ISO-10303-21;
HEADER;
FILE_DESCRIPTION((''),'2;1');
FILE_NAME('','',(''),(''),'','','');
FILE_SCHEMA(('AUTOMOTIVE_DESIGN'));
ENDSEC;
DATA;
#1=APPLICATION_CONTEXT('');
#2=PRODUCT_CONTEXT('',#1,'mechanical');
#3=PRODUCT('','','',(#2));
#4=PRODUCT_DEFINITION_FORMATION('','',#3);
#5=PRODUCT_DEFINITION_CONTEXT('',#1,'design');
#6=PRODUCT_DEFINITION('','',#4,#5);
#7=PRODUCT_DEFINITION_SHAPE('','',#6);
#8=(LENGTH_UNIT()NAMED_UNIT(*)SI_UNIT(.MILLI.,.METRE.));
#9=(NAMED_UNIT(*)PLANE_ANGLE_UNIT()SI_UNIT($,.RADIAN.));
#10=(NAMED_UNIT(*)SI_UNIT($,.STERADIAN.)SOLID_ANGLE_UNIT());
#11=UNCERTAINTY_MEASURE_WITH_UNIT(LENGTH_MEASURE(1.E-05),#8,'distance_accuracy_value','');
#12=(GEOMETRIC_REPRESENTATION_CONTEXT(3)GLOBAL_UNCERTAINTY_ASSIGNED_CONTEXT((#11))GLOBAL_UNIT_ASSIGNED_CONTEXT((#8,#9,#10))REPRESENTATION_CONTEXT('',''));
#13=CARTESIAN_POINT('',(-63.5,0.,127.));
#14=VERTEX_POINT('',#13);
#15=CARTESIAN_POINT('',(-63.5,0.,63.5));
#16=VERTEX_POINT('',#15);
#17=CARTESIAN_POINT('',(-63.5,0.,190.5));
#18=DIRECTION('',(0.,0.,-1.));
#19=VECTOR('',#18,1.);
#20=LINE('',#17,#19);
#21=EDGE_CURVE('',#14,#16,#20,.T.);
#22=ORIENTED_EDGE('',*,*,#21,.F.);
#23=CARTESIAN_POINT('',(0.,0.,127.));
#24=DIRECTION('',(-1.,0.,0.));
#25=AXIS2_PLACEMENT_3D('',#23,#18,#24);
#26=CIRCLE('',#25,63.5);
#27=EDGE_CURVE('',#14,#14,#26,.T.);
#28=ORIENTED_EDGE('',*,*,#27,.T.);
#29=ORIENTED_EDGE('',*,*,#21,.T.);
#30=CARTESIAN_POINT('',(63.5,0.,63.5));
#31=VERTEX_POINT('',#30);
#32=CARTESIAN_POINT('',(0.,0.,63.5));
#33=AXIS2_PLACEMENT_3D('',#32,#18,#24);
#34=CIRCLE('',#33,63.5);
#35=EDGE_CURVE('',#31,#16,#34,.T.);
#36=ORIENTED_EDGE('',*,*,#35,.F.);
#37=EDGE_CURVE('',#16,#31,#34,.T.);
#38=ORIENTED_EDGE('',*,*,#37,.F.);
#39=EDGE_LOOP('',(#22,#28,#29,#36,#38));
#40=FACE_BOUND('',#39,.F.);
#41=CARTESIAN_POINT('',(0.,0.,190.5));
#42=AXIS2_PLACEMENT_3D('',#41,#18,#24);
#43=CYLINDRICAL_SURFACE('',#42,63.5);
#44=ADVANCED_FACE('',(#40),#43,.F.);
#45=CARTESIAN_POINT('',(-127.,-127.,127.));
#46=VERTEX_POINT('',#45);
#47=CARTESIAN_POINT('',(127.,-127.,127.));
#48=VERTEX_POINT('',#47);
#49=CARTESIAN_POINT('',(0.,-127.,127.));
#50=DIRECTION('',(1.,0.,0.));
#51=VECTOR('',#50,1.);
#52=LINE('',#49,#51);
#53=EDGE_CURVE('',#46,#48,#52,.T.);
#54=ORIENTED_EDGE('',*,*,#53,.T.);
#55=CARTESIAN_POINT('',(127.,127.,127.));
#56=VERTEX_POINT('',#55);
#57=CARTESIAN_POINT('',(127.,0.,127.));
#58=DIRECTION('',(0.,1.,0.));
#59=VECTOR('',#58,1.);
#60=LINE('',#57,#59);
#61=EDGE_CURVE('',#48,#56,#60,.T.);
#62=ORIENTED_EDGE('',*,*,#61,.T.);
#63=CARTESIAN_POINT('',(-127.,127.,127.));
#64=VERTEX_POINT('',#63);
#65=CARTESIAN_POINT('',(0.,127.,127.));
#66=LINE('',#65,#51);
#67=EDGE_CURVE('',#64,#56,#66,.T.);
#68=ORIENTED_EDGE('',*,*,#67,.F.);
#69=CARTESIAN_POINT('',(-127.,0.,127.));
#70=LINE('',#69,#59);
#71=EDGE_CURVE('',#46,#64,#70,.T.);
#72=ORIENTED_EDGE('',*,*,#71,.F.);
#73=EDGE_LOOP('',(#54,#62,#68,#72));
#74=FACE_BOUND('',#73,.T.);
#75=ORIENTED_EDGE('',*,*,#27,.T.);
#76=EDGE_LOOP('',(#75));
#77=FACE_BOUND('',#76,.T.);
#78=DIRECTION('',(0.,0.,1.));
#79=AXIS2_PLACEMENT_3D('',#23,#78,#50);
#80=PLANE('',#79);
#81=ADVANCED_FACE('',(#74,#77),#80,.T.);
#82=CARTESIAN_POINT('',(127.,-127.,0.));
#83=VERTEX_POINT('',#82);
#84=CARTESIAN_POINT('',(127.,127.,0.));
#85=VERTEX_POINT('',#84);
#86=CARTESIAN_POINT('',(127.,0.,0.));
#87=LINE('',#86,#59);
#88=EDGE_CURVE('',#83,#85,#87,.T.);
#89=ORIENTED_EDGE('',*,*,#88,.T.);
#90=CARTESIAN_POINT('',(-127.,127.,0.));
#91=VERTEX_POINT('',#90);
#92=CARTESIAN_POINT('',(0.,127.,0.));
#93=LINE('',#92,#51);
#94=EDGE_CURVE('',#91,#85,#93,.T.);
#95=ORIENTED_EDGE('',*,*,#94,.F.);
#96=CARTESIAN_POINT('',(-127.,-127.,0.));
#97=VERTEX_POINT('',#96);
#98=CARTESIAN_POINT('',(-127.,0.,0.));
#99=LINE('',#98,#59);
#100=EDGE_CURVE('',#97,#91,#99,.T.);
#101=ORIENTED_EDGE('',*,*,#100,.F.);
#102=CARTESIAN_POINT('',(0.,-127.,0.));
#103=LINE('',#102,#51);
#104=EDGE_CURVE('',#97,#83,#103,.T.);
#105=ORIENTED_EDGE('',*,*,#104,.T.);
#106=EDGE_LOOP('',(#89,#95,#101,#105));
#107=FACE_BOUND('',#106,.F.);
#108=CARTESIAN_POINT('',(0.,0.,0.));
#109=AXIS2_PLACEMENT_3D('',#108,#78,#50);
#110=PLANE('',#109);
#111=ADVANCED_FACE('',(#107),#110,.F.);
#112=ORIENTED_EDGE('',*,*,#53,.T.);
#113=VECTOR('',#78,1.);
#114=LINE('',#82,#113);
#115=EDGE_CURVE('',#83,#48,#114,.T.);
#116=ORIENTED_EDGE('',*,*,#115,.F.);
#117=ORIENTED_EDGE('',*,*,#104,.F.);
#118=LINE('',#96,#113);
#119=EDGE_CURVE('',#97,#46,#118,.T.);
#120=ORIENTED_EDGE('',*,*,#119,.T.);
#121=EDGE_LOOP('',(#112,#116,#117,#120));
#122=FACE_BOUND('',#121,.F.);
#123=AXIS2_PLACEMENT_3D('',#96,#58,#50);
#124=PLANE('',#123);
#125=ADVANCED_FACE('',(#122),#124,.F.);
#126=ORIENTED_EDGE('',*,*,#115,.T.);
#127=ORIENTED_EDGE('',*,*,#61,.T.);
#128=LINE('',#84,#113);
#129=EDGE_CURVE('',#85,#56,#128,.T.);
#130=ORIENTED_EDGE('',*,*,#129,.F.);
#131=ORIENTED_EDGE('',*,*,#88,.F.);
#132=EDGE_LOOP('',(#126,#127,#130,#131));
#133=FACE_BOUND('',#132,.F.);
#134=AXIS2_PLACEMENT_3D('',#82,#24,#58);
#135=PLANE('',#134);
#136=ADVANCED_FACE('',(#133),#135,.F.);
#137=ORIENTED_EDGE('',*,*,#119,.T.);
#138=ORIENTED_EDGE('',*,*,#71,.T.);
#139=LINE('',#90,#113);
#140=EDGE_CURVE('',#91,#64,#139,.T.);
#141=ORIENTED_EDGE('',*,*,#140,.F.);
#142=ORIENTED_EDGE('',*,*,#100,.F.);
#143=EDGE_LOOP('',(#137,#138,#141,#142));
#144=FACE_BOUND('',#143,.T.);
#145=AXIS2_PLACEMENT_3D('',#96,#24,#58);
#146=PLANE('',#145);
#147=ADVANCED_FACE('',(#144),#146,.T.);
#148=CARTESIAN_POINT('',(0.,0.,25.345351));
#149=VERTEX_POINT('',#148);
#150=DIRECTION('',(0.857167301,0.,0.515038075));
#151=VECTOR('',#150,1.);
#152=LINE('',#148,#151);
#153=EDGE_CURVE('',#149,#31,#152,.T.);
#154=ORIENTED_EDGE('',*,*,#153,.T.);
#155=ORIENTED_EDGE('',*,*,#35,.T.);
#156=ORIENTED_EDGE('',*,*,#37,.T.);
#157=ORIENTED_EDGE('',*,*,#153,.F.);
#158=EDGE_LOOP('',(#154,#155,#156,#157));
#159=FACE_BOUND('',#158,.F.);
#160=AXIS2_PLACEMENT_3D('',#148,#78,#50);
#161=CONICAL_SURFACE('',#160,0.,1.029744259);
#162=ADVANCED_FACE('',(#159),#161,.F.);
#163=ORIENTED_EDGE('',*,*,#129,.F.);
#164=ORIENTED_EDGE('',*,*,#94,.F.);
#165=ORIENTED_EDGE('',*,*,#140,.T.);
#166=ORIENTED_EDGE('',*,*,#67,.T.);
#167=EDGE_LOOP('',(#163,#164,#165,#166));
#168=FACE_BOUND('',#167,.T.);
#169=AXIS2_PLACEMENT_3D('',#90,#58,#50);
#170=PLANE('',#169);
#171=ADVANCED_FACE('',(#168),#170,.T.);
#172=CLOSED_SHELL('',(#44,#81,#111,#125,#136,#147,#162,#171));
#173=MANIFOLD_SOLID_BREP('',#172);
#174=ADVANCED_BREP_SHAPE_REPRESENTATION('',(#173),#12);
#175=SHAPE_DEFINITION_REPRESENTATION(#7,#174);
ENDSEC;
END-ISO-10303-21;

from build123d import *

# Parameters (mm, degrees)
F0_W     = 254
F0_H     = 254
F1_DEPTH = 127
F4_D     = 127
F4_DEPTH = 63.5
F4_TIP   = 38.1546493083


with BuildPart() as f1:
    # F0 (on Top) → F1 (new body)
    with BuildSketch(Plane.XY):
        Rectangle(F0_W, F0_H)
    extrude(amount=F1_DEPTH)

    # F4
    with Locations(Plane.XY.offset(127)):
        with Locations((0, 0)):
            Hole(F4_D / 2, depth=F4_DEPTH)
            with Locations((0, 0, -(F4_DEPTH + F4_TIP / 2))):  # 118° drill point
                Cone(0, F4_D / 2, F4_TIP, mode=Mode.SUBTRACT)


solid = f1.part
